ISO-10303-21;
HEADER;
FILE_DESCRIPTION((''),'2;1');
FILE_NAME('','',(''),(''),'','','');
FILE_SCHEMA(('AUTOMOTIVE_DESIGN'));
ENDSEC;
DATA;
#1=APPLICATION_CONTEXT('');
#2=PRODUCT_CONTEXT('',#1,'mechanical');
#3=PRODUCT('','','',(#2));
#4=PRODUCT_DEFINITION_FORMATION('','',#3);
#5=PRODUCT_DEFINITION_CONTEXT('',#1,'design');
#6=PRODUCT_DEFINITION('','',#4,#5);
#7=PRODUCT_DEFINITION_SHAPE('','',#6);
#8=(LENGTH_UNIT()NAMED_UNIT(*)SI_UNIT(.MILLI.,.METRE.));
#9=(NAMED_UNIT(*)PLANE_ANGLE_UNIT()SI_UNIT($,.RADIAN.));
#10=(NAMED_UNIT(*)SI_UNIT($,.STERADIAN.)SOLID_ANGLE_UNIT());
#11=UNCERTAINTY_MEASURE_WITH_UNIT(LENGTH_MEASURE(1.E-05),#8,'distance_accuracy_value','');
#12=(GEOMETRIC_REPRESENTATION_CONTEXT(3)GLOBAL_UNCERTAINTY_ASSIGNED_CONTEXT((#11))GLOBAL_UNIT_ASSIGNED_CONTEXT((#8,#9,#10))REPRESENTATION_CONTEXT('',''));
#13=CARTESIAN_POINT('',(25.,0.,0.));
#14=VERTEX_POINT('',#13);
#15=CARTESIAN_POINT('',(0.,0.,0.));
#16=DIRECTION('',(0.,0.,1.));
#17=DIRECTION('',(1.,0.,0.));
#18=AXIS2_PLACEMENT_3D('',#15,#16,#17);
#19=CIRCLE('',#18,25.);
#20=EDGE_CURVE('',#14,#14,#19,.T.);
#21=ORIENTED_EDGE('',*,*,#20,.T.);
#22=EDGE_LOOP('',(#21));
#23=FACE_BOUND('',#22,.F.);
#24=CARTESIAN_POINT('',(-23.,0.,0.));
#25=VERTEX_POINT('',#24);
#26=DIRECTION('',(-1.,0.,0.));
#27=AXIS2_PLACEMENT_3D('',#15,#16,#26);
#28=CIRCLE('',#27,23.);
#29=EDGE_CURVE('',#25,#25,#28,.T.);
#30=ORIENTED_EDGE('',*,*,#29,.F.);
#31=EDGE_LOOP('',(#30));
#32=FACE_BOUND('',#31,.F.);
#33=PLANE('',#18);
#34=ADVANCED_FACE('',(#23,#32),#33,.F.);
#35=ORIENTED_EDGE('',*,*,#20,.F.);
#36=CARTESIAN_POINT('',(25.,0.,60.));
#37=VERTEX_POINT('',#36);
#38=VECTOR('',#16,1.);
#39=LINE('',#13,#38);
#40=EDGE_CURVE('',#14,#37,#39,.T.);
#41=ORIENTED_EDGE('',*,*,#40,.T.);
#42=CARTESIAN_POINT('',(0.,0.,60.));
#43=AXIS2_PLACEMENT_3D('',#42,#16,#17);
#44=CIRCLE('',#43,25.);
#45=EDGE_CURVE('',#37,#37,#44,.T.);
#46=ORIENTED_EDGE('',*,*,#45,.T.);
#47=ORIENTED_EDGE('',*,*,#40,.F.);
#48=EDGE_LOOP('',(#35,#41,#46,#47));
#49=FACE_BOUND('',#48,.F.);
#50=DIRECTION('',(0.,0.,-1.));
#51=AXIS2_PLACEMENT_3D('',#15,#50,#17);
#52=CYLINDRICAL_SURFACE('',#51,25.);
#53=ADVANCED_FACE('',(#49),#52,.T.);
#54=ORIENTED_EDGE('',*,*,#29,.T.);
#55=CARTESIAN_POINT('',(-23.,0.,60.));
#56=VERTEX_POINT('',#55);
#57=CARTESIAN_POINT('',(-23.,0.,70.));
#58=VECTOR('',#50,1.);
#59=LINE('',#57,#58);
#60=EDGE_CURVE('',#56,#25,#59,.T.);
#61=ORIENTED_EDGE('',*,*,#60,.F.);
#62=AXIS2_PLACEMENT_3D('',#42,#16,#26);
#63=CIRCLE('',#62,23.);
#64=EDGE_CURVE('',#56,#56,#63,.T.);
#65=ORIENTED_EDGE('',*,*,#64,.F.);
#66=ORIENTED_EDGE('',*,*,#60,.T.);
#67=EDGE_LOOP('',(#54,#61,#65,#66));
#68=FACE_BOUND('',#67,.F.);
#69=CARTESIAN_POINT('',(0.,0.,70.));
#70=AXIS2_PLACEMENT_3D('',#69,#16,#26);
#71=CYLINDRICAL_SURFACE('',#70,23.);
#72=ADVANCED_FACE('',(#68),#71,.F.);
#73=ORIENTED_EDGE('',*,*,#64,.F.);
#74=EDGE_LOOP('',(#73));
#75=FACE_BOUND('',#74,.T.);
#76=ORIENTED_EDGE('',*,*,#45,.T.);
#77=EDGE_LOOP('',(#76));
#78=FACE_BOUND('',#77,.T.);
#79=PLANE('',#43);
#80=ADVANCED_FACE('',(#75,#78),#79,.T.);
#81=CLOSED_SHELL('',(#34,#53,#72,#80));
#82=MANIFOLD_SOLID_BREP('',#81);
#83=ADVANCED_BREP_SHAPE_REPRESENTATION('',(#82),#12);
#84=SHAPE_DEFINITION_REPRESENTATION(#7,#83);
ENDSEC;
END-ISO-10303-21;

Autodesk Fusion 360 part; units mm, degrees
sketch "スケッチ1" plane through (0, 0, 0) normal (0, 0, 1) x (1, 0, 0)
  circle A0 centre (0, 0) radius 25
  circle A1 centre (0, 0) radius 22.5
  dimension "d1" = 45
extrude "押し出し1" add sketch "スケッチ1" along normal blind 70
sketch "スケッチ2" plane through (0, 0, 70) normal (0, 0, 1) x (-1, 0, 0)
  circle A0 centre (0, 0) radius 22.5
  circle A1 centre (0, 0) radius 25
  circle A2 centre (0, 0) radius 23
extrude "押し出し2" cut sketch "スケッチ2" against normal blind 75 contours A2
extrude "押し出し3" cut 1 faces at (24.1546, -2.3847, 70) along direction (0, 0, -1) blind 10
